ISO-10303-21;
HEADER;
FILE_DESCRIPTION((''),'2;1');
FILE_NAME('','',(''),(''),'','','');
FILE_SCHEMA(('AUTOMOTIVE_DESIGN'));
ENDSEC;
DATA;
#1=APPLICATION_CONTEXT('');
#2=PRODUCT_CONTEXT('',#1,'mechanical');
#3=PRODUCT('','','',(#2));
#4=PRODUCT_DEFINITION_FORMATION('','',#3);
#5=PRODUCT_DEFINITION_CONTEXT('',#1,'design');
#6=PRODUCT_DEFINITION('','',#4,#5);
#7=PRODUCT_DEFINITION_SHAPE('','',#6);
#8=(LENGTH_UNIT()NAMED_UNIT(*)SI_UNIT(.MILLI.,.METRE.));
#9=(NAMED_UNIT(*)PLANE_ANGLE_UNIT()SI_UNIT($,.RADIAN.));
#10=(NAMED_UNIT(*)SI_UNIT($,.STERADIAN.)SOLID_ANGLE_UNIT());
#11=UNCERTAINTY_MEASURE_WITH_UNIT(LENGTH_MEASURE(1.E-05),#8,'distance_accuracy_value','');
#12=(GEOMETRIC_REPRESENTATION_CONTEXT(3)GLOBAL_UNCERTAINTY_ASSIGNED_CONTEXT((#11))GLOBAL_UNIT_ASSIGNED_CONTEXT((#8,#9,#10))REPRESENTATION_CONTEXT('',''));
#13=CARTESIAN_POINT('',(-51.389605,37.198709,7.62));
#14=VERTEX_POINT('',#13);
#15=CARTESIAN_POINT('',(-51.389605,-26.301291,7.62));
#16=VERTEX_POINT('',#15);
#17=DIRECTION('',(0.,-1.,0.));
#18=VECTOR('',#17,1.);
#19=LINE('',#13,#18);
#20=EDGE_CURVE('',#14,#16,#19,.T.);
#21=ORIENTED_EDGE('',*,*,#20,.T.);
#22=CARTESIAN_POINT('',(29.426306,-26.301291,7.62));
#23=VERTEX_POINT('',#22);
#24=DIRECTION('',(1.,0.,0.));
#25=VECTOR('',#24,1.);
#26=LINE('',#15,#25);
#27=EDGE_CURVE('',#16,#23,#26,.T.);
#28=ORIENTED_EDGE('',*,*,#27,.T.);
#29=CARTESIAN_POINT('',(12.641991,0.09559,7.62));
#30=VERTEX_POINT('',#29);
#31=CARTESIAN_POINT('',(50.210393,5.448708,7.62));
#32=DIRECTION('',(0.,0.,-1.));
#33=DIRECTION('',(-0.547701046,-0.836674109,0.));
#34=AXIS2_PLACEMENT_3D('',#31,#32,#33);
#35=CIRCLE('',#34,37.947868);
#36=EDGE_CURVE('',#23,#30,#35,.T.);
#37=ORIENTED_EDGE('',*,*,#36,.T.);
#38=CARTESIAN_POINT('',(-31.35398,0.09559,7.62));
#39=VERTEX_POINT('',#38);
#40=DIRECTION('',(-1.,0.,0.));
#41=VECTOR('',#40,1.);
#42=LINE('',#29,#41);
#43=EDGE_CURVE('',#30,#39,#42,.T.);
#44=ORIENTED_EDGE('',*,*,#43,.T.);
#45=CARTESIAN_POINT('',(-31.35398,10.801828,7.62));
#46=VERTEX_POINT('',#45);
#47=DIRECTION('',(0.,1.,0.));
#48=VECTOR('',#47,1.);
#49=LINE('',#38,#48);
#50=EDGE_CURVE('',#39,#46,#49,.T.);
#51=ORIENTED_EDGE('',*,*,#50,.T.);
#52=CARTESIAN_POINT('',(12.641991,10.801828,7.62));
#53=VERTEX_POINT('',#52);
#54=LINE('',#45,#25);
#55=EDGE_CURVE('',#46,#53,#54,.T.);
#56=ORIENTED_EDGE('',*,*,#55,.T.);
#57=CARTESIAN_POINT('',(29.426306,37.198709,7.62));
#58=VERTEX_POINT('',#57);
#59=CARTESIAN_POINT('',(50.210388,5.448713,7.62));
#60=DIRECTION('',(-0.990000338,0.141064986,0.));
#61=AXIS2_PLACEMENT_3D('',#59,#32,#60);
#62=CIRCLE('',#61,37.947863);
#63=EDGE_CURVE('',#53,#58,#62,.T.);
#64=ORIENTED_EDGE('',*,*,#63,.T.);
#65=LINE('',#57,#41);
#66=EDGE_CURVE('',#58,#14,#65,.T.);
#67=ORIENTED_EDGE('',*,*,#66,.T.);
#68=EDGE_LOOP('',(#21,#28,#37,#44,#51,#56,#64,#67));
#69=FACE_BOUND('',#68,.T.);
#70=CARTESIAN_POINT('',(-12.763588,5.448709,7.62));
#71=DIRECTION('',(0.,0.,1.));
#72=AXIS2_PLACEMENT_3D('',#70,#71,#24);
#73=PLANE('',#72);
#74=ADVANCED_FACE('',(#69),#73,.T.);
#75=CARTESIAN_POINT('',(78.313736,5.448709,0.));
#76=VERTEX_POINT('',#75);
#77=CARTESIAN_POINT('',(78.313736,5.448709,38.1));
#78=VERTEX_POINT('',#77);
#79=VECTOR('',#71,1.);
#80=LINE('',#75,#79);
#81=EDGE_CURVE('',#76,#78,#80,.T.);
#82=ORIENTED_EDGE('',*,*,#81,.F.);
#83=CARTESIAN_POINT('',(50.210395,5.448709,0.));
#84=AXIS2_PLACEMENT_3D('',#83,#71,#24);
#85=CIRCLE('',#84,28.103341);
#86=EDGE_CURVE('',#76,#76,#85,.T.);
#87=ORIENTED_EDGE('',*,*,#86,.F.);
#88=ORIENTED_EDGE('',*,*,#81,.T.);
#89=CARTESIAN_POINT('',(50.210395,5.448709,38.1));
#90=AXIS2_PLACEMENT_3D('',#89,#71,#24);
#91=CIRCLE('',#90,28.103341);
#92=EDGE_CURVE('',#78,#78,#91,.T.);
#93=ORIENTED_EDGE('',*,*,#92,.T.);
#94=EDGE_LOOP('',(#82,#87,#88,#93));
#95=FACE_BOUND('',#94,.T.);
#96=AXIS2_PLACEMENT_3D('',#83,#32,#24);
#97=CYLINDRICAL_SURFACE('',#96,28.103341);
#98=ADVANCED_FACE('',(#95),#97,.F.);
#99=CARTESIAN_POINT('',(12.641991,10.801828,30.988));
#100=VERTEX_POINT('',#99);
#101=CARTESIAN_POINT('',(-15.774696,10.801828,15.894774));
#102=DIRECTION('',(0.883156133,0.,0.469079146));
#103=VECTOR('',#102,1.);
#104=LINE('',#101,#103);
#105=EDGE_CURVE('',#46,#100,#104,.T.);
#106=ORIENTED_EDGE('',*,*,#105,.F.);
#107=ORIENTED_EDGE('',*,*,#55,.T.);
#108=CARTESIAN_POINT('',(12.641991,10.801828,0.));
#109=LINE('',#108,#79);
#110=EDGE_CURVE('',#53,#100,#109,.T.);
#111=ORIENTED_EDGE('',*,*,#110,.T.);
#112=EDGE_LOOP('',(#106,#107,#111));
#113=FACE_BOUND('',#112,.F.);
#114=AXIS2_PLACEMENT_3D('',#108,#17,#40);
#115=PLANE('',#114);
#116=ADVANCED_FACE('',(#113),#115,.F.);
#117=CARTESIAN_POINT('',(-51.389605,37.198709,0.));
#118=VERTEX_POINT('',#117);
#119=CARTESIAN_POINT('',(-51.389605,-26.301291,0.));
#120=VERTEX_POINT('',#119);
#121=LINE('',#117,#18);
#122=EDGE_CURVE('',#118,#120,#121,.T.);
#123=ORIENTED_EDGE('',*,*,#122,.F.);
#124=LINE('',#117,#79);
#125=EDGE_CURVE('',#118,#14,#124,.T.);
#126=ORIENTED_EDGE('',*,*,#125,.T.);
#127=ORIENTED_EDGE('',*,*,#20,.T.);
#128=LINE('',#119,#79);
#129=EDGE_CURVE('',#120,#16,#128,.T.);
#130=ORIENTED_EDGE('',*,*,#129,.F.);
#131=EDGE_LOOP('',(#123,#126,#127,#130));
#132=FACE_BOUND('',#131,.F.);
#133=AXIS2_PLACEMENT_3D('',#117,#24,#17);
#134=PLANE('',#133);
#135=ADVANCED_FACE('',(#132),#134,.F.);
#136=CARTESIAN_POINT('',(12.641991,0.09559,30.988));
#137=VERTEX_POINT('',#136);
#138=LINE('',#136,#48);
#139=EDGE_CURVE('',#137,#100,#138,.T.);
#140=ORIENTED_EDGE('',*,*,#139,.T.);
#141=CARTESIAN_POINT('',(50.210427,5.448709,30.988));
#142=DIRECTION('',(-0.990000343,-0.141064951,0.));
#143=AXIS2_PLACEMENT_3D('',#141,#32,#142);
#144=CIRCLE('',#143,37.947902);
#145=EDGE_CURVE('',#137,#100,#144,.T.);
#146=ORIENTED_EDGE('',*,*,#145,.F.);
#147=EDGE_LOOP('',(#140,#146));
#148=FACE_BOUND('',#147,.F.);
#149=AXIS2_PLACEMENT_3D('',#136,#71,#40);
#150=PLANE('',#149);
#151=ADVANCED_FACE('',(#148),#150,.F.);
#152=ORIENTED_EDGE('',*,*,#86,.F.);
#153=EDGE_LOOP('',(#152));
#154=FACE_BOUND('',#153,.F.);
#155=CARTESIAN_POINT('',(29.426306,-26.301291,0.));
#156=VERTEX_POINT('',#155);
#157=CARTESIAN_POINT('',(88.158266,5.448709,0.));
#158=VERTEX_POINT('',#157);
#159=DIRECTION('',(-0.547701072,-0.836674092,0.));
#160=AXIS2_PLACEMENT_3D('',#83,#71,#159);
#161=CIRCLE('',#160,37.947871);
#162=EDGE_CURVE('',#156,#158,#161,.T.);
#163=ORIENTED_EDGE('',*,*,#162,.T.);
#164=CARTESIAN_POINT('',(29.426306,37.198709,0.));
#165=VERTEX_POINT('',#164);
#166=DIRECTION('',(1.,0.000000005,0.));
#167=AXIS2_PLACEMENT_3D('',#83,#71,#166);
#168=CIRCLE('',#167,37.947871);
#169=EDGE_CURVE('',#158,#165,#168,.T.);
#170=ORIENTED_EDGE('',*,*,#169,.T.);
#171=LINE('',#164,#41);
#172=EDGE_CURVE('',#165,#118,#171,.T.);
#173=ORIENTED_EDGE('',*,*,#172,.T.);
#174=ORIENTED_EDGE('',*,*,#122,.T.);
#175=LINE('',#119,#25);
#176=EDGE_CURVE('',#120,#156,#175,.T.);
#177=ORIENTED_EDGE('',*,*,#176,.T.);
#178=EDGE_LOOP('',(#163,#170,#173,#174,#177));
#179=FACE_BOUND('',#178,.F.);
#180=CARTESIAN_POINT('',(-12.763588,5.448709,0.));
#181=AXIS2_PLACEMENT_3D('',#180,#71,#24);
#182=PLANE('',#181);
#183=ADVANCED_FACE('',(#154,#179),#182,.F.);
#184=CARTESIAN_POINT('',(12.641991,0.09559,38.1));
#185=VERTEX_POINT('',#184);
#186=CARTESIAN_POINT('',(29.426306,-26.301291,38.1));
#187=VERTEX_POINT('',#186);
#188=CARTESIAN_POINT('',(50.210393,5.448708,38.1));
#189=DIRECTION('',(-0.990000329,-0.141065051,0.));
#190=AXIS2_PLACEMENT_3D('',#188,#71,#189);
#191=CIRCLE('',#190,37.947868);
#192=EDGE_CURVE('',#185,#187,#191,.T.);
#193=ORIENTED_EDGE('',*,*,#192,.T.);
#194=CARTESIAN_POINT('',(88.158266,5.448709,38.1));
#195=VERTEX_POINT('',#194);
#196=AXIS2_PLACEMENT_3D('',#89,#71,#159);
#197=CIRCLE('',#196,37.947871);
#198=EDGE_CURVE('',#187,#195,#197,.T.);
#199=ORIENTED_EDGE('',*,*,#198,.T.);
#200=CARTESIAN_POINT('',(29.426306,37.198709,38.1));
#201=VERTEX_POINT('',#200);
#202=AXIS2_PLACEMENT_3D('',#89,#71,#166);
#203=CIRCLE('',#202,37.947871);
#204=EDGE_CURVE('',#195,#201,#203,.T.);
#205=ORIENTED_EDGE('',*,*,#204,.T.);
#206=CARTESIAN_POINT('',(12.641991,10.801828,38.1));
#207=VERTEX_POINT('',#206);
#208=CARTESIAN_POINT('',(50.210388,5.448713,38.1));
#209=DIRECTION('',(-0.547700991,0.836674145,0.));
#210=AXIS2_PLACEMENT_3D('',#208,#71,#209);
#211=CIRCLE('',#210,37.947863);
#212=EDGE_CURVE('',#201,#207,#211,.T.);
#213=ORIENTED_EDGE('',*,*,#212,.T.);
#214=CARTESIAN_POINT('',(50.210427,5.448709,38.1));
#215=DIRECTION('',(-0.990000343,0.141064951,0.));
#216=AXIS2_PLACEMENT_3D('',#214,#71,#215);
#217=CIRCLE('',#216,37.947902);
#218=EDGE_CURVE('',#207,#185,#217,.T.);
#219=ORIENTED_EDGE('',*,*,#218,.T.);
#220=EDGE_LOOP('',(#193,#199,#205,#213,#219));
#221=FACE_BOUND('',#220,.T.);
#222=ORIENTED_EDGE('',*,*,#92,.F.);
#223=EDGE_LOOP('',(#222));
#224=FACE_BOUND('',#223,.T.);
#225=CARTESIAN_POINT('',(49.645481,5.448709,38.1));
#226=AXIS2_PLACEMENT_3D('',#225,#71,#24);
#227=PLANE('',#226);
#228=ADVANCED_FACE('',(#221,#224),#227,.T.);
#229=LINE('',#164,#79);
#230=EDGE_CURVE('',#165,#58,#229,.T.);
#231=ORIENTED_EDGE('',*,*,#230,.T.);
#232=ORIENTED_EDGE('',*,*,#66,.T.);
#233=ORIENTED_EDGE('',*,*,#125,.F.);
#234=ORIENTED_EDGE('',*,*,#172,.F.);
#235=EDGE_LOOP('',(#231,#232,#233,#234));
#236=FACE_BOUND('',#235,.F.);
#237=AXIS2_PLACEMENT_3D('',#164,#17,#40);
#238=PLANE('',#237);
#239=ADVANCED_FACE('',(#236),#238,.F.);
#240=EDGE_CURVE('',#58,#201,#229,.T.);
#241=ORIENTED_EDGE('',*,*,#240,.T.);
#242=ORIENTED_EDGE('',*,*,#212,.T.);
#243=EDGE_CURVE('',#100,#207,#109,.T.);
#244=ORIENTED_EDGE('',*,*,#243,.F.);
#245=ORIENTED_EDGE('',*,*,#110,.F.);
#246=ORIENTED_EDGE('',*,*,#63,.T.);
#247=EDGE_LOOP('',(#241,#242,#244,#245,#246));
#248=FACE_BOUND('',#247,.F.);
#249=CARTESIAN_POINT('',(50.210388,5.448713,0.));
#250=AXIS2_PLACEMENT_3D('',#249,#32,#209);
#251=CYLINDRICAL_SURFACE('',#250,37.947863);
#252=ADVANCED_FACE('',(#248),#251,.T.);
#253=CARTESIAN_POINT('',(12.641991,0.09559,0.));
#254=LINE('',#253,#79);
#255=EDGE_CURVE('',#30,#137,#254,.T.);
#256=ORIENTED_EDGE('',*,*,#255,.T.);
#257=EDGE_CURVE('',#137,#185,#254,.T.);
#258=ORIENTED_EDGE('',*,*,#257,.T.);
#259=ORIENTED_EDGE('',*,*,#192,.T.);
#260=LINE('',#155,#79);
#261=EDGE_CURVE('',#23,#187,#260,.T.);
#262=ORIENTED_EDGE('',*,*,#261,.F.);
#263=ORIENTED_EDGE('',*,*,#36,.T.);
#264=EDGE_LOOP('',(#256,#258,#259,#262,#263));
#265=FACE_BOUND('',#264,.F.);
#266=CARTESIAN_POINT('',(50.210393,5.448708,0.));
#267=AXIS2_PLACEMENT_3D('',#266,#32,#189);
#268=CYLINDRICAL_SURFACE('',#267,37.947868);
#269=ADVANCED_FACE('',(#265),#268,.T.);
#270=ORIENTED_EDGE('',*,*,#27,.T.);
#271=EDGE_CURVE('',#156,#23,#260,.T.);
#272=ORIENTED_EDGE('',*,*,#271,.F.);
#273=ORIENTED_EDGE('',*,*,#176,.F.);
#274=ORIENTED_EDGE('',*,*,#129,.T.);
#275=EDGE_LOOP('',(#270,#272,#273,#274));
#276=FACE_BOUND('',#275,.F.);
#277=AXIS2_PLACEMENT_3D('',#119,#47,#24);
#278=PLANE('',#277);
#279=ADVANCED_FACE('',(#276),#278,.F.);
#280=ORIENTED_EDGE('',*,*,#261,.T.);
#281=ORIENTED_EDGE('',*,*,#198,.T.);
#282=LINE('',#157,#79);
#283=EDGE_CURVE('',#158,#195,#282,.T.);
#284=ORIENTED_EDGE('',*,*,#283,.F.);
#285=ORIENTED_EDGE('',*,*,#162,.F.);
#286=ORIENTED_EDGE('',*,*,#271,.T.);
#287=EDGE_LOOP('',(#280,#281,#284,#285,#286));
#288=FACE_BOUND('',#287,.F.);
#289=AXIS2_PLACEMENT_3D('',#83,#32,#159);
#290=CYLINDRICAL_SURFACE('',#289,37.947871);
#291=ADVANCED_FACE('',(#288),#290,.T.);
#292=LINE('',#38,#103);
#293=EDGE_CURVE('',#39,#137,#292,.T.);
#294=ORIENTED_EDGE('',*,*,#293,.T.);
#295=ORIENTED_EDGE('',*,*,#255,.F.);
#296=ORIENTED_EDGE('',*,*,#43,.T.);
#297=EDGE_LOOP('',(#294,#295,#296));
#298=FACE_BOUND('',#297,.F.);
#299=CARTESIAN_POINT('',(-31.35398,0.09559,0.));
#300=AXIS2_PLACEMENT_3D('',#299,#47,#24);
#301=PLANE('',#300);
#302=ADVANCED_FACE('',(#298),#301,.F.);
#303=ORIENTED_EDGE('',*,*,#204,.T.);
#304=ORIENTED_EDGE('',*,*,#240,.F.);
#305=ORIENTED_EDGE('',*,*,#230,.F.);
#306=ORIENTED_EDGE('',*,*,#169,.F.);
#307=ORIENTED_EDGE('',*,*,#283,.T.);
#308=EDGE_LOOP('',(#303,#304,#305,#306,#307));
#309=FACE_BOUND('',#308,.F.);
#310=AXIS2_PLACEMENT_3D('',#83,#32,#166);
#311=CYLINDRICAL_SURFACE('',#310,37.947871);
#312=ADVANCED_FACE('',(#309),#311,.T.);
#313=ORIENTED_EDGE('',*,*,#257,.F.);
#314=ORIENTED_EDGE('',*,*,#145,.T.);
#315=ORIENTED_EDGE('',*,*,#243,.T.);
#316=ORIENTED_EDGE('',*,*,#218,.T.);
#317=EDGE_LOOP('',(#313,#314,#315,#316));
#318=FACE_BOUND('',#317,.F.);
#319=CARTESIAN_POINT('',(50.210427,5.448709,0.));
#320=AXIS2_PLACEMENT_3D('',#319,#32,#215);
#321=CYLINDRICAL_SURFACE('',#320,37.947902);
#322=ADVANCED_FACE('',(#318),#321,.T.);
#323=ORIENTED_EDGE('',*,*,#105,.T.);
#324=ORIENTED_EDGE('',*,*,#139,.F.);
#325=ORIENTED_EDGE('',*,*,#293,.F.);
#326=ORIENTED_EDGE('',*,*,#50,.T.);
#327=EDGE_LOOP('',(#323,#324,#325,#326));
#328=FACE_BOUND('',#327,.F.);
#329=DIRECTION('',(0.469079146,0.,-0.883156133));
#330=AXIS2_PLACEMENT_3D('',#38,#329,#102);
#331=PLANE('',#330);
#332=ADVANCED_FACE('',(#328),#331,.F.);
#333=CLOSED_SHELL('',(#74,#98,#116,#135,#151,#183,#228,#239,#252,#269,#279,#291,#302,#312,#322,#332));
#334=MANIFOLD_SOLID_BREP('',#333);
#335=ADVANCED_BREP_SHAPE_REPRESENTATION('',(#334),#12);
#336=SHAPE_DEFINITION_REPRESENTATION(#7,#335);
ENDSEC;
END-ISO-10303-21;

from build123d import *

# Parameters (mm, degrees)
F0_R     = 28.103341
F1_DEPTH = 38.1
F2_DEPTH = 7.62
F3_DEPTH = 30.988
F5_DEPTH = 25.4


with BuildPart() as f1:
    # F0 (on Top) → F1 (new body)
    with BuildSketch(Plane.XY):
        with BuildLine():
            ThreePointArc((88.158266, 5.448709), (68.256571, 38.830986), (29.426306, 37.198709))
            ThreePointArc((29.426306, 37.198709), (18.187712, 25.81016), (12.641991, 10.801828))
            ThreePointArc((12.641991, 10.801828), (12.262525, 5.448709), (12.641991, 0.09559))
            ThreePointArc((12.641991, 0.09559), (18.187712, -14.912741), (29.426306, -26.301291))
            ThreePointArc((29.426306, -26.301291), (68.256571, -27.933568), (88.158266, 5.448709))
        make_face()
        with Locations((50.210395, 5.448709)):
            Circle(F0_R, mode=Mode.SUBTRACT)
    extrude(amount=F1_DEPTH)

    # F0 (on Top) → F2 (join)
    with BuildSketch(Plane.XY):
        with BuildLine():
            Line((29.426306, 37.198709), (-51.389605, 37.198709))
            Line((-51.389605, 37.198709), (-51.389605, -26.301291))
            Line((-51.389605, -26.301291), (29.426306, -26.301291))
            ThreePointArc((29.426306, -26.301291), (18.187712, -14.912741), (12.641991, 0.09559))
            Line((12.641991, 0.09559), (-31.35398, 0.09559))
            Line((-31.35398, 0.09559), (-31.35398, 10.801828))
            Line((-31.35398, 10.801828), (12.641991, 10.801828))
            ThreePointArc((12.641991, 10.801828), (18.187712, 25.81016), (29.426306, 37.198709))
        make_face()
    extrude(amount=F2_DEPTH)

    # F0 (on Top) → F3 (join)
    with BuildSketch(Plane.XY):
        with BuildLine():
            ThreePointArc((12.641991, 0.09559), (12.262525, 5.448709), (12.641991, 10.801828))
            Line((12.641991, 10.801828), (-31.35398, 10.801828))
            Line((-31.35398, 10.801828), (-31.35398, 0.09559))
            Line((-31.35398, 0.09559), (12.641991, 0.09559))
        make_face()
    extrude(amount=F3_DEPTH)

    # F4 (on face) → F5 (cut)
    with BuildSketch(Plane.XZ.offset(-0.09559)):
        Polygon((-31.35398, 7.62), (12.641991, 30.988), (-31.35398, 30.988), align=None)
    extrude(amount=-F5_DEPTH, mode=Mode.SUBTRACT)


solid = f1.part
